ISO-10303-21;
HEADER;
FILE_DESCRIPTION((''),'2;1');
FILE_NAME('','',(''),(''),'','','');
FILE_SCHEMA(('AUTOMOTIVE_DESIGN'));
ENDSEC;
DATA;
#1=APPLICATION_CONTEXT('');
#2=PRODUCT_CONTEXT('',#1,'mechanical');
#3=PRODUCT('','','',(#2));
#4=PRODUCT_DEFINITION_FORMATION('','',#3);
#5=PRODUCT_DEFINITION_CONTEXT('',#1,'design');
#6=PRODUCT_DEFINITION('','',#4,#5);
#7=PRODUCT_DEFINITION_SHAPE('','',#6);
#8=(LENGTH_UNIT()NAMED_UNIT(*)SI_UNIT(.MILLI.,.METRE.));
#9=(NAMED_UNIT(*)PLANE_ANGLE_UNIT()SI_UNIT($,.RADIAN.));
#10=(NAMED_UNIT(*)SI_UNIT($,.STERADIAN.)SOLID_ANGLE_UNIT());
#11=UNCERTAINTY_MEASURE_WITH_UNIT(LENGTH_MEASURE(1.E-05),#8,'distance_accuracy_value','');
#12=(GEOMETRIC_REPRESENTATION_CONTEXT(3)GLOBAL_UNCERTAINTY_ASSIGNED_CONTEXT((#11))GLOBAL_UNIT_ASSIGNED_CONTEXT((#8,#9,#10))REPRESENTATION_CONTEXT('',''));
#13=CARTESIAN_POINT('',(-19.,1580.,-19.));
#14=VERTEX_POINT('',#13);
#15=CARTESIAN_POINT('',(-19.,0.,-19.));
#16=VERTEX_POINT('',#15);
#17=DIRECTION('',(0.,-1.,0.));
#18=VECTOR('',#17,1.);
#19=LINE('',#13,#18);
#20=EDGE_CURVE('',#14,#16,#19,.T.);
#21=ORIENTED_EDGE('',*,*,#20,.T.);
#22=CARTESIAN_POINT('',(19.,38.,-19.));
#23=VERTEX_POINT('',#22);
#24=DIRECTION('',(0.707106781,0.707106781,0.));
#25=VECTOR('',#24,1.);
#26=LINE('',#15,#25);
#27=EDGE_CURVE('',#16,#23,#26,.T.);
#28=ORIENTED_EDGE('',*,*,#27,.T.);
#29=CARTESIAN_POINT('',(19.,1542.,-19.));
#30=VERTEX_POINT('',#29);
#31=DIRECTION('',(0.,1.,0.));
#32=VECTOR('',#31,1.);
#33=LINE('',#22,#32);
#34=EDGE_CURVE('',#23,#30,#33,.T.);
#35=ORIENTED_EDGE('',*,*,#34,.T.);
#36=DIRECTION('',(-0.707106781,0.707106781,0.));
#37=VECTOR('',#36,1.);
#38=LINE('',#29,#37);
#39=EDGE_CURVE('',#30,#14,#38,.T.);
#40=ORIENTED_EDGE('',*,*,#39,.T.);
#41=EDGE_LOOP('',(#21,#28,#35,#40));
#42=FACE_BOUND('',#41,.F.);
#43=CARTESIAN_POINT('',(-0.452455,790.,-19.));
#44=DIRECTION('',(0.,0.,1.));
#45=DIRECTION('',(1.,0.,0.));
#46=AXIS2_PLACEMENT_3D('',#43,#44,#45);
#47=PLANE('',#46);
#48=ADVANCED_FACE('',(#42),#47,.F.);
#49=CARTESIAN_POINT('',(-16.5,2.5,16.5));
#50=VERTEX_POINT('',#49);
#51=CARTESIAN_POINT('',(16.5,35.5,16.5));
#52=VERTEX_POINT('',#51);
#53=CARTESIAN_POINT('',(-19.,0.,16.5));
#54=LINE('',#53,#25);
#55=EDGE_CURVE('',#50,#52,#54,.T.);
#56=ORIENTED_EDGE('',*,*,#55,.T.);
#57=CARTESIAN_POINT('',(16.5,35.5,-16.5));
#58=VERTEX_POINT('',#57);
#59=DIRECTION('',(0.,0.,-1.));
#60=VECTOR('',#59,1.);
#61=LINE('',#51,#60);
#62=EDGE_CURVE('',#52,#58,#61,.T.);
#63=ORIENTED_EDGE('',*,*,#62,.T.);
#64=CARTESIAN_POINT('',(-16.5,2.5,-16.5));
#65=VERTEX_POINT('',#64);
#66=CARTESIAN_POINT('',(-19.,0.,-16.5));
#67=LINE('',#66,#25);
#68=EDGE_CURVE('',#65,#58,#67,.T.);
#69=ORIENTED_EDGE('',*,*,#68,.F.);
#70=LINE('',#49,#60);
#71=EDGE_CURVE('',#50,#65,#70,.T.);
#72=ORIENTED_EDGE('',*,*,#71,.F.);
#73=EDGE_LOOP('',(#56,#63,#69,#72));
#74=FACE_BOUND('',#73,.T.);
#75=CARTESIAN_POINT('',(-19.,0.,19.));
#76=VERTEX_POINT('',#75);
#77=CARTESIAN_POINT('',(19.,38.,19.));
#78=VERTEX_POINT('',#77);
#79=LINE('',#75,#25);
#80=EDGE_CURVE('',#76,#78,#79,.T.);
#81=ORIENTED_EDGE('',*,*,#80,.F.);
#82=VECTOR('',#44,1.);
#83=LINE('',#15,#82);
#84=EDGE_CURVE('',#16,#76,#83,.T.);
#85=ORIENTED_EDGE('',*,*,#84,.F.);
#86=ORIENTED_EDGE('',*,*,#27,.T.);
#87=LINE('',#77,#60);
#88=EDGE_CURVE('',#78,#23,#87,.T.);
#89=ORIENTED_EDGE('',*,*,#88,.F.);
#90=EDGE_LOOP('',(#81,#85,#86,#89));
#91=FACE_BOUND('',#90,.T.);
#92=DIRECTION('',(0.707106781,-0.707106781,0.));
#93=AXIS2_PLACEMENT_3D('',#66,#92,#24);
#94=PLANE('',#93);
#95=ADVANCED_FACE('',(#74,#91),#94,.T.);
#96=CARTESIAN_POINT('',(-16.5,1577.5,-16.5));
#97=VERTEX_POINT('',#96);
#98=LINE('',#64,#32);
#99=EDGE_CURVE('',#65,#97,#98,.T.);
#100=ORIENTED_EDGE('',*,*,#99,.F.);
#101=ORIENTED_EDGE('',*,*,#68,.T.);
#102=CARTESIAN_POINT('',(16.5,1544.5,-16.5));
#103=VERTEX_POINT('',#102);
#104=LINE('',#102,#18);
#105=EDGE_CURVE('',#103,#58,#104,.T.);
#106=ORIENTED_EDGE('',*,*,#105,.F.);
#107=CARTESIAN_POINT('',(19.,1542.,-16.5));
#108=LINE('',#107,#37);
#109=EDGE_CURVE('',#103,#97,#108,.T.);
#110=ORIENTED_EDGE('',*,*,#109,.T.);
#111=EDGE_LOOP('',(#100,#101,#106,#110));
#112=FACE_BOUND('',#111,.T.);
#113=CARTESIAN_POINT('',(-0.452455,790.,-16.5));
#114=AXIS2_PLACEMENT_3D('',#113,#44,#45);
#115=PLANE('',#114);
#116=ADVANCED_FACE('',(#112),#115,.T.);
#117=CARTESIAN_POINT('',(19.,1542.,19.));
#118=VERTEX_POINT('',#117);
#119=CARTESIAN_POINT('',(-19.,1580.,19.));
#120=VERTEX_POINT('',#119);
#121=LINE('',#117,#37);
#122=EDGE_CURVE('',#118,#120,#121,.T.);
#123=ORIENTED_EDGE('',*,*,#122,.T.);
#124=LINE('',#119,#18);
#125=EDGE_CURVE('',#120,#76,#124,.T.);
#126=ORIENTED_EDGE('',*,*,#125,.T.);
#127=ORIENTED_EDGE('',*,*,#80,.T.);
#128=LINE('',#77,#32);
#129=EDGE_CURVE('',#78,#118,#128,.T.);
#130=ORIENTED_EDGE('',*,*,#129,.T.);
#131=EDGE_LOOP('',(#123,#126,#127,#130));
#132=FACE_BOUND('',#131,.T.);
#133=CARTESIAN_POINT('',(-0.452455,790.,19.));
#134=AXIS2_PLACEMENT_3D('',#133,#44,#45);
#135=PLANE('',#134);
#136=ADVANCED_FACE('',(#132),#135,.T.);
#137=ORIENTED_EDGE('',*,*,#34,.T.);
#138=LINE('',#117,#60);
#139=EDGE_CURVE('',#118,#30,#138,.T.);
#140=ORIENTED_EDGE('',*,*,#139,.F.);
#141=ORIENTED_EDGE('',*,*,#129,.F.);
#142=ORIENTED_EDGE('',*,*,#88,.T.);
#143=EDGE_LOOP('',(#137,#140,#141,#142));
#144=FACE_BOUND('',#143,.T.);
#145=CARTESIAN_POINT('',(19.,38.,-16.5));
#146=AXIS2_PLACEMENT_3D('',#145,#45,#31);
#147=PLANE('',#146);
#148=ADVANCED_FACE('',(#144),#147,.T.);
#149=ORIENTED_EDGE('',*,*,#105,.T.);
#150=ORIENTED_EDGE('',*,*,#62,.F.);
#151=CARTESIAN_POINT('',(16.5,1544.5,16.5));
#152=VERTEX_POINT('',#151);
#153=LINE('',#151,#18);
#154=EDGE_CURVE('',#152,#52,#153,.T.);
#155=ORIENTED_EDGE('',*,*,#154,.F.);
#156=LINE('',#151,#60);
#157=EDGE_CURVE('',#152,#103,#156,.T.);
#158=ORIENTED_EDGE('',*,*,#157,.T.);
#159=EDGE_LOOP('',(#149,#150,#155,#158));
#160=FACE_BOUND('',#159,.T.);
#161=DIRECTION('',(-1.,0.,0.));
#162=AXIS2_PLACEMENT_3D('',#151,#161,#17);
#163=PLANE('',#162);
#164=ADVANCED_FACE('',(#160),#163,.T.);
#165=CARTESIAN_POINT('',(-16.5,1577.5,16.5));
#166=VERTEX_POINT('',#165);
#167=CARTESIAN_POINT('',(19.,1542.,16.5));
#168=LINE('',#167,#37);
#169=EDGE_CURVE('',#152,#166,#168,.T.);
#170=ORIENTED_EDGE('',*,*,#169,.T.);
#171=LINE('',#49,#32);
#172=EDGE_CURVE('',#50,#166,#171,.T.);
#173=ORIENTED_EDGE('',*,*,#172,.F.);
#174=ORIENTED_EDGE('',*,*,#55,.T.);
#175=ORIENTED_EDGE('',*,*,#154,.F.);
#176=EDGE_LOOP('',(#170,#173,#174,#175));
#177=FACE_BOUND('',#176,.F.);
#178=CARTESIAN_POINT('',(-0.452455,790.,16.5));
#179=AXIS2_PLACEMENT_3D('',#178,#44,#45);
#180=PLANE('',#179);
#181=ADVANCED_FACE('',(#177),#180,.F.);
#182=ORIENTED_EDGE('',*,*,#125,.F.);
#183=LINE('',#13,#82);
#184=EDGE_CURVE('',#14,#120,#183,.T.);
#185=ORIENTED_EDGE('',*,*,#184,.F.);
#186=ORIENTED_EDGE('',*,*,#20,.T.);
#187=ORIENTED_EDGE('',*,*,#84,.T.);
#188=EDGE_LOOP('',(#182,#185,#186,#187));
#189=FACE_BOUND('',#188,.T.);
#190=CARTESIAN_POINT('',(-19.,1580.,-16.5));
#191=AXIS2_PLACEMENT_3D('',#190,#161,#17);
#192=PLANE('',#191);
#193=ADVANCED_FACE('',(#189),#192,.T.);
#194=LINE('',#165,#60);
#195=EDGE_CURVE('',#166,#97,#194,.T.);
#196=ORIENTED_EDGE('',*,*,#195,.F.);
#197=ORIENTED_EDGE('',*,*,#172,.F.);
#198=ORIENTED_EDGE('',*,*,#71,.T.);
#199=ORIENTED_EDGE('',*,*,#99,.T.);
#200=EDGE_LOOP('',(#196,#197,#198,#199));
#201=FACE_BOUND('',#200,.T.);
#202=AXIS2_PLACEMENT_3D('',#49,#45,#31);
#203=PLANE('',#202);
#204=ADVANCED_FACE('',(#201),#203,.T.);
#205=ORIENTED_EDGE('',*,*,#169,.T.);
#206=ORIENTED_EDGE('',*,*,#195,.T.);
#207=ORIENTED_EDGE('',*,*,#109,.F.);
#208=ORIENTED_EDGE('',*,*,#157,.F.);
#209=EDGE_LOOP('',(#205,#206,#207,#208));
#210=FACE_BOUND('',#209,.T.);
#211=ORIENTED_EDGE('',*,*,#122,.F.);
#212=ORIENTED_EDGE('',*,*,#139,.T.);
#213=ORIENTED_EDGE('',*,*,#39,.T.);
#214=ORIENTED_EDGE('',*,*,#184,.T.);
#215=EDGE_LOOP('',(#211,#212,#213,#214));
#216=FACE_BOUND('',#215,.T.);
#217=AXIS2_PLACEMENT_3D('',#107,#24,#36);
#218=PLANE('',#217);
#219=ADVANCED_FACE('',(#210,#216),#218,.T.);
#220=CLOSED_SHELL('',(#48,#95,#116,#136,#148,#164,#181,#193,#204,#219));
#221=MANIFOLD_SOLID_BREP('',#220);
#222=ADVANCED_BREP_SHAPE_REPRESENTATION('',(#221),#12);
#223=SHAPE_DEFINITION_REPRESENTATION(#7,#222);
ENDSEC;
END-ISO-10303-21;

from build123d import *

# Parameters (mm, degrees)
SALIENTE_EXTRUIR1_DEPTH = 2.5
SALIENTE_EXTRUIR2_DEPTH = 33
SALIENTE_EXTRUIR3_DEPTH = 33
SALIENTE_EXTRUIR4_DEPTH = 2.5


with BuildPart() as part:
    # Croquis1 → Saliente-Extruir1 (new body)
    with BuildSketch(Plane.XY.offset(19)):
        Polygon((19, 1542), (-19, 1580), (-19, 0), (19, 38), align=None)
    extrude(amount=-SALIENTE_EXTRUIR1_DEPTH)

    # Croquis2 → Saliente-Extruir2 (add)
    with BuildSketch(Plane(origin=(0, 0, 16.5), x_dir=(-1, 0, 0), z_dir=(0, 0, -1))):
        Polygon((-16.5, 1544.5), (-16.5, 35.5), (-19, 38), (-19, 1542), align=None)
    extrude(amount=SALIENTE_EXTRUIR2_DEPTH)

    # Croquis3 → Saliente-Extruir3 (add)
    with BuildSketch(Plane(origin=(0, 0, 16.5), x_dir=(-1, 0, 0), z_dir=(0, 0, -1))):
        Polygon((16.5, 2.5), (16.5, 1577.5), (19, 1580), (19, 0), align=None)
    extrude(amount=SALIENTE_EXTRUIR3_DEPTH)

    # Croquis4 → Saliente-Extruir4 (add)
    with BuildSketch(Plane(origin=(0, 0, -16.5), x_dir=(-1, 0, 0), z_dir=(0, 0, -1))):
        Polygon((-19, 1542), (19, 1580), (19, 0), (-19, 38), align=None)
    extrude(amount=SALIENTE_EXTRUIR4_DEPTH)


solid = part.part
